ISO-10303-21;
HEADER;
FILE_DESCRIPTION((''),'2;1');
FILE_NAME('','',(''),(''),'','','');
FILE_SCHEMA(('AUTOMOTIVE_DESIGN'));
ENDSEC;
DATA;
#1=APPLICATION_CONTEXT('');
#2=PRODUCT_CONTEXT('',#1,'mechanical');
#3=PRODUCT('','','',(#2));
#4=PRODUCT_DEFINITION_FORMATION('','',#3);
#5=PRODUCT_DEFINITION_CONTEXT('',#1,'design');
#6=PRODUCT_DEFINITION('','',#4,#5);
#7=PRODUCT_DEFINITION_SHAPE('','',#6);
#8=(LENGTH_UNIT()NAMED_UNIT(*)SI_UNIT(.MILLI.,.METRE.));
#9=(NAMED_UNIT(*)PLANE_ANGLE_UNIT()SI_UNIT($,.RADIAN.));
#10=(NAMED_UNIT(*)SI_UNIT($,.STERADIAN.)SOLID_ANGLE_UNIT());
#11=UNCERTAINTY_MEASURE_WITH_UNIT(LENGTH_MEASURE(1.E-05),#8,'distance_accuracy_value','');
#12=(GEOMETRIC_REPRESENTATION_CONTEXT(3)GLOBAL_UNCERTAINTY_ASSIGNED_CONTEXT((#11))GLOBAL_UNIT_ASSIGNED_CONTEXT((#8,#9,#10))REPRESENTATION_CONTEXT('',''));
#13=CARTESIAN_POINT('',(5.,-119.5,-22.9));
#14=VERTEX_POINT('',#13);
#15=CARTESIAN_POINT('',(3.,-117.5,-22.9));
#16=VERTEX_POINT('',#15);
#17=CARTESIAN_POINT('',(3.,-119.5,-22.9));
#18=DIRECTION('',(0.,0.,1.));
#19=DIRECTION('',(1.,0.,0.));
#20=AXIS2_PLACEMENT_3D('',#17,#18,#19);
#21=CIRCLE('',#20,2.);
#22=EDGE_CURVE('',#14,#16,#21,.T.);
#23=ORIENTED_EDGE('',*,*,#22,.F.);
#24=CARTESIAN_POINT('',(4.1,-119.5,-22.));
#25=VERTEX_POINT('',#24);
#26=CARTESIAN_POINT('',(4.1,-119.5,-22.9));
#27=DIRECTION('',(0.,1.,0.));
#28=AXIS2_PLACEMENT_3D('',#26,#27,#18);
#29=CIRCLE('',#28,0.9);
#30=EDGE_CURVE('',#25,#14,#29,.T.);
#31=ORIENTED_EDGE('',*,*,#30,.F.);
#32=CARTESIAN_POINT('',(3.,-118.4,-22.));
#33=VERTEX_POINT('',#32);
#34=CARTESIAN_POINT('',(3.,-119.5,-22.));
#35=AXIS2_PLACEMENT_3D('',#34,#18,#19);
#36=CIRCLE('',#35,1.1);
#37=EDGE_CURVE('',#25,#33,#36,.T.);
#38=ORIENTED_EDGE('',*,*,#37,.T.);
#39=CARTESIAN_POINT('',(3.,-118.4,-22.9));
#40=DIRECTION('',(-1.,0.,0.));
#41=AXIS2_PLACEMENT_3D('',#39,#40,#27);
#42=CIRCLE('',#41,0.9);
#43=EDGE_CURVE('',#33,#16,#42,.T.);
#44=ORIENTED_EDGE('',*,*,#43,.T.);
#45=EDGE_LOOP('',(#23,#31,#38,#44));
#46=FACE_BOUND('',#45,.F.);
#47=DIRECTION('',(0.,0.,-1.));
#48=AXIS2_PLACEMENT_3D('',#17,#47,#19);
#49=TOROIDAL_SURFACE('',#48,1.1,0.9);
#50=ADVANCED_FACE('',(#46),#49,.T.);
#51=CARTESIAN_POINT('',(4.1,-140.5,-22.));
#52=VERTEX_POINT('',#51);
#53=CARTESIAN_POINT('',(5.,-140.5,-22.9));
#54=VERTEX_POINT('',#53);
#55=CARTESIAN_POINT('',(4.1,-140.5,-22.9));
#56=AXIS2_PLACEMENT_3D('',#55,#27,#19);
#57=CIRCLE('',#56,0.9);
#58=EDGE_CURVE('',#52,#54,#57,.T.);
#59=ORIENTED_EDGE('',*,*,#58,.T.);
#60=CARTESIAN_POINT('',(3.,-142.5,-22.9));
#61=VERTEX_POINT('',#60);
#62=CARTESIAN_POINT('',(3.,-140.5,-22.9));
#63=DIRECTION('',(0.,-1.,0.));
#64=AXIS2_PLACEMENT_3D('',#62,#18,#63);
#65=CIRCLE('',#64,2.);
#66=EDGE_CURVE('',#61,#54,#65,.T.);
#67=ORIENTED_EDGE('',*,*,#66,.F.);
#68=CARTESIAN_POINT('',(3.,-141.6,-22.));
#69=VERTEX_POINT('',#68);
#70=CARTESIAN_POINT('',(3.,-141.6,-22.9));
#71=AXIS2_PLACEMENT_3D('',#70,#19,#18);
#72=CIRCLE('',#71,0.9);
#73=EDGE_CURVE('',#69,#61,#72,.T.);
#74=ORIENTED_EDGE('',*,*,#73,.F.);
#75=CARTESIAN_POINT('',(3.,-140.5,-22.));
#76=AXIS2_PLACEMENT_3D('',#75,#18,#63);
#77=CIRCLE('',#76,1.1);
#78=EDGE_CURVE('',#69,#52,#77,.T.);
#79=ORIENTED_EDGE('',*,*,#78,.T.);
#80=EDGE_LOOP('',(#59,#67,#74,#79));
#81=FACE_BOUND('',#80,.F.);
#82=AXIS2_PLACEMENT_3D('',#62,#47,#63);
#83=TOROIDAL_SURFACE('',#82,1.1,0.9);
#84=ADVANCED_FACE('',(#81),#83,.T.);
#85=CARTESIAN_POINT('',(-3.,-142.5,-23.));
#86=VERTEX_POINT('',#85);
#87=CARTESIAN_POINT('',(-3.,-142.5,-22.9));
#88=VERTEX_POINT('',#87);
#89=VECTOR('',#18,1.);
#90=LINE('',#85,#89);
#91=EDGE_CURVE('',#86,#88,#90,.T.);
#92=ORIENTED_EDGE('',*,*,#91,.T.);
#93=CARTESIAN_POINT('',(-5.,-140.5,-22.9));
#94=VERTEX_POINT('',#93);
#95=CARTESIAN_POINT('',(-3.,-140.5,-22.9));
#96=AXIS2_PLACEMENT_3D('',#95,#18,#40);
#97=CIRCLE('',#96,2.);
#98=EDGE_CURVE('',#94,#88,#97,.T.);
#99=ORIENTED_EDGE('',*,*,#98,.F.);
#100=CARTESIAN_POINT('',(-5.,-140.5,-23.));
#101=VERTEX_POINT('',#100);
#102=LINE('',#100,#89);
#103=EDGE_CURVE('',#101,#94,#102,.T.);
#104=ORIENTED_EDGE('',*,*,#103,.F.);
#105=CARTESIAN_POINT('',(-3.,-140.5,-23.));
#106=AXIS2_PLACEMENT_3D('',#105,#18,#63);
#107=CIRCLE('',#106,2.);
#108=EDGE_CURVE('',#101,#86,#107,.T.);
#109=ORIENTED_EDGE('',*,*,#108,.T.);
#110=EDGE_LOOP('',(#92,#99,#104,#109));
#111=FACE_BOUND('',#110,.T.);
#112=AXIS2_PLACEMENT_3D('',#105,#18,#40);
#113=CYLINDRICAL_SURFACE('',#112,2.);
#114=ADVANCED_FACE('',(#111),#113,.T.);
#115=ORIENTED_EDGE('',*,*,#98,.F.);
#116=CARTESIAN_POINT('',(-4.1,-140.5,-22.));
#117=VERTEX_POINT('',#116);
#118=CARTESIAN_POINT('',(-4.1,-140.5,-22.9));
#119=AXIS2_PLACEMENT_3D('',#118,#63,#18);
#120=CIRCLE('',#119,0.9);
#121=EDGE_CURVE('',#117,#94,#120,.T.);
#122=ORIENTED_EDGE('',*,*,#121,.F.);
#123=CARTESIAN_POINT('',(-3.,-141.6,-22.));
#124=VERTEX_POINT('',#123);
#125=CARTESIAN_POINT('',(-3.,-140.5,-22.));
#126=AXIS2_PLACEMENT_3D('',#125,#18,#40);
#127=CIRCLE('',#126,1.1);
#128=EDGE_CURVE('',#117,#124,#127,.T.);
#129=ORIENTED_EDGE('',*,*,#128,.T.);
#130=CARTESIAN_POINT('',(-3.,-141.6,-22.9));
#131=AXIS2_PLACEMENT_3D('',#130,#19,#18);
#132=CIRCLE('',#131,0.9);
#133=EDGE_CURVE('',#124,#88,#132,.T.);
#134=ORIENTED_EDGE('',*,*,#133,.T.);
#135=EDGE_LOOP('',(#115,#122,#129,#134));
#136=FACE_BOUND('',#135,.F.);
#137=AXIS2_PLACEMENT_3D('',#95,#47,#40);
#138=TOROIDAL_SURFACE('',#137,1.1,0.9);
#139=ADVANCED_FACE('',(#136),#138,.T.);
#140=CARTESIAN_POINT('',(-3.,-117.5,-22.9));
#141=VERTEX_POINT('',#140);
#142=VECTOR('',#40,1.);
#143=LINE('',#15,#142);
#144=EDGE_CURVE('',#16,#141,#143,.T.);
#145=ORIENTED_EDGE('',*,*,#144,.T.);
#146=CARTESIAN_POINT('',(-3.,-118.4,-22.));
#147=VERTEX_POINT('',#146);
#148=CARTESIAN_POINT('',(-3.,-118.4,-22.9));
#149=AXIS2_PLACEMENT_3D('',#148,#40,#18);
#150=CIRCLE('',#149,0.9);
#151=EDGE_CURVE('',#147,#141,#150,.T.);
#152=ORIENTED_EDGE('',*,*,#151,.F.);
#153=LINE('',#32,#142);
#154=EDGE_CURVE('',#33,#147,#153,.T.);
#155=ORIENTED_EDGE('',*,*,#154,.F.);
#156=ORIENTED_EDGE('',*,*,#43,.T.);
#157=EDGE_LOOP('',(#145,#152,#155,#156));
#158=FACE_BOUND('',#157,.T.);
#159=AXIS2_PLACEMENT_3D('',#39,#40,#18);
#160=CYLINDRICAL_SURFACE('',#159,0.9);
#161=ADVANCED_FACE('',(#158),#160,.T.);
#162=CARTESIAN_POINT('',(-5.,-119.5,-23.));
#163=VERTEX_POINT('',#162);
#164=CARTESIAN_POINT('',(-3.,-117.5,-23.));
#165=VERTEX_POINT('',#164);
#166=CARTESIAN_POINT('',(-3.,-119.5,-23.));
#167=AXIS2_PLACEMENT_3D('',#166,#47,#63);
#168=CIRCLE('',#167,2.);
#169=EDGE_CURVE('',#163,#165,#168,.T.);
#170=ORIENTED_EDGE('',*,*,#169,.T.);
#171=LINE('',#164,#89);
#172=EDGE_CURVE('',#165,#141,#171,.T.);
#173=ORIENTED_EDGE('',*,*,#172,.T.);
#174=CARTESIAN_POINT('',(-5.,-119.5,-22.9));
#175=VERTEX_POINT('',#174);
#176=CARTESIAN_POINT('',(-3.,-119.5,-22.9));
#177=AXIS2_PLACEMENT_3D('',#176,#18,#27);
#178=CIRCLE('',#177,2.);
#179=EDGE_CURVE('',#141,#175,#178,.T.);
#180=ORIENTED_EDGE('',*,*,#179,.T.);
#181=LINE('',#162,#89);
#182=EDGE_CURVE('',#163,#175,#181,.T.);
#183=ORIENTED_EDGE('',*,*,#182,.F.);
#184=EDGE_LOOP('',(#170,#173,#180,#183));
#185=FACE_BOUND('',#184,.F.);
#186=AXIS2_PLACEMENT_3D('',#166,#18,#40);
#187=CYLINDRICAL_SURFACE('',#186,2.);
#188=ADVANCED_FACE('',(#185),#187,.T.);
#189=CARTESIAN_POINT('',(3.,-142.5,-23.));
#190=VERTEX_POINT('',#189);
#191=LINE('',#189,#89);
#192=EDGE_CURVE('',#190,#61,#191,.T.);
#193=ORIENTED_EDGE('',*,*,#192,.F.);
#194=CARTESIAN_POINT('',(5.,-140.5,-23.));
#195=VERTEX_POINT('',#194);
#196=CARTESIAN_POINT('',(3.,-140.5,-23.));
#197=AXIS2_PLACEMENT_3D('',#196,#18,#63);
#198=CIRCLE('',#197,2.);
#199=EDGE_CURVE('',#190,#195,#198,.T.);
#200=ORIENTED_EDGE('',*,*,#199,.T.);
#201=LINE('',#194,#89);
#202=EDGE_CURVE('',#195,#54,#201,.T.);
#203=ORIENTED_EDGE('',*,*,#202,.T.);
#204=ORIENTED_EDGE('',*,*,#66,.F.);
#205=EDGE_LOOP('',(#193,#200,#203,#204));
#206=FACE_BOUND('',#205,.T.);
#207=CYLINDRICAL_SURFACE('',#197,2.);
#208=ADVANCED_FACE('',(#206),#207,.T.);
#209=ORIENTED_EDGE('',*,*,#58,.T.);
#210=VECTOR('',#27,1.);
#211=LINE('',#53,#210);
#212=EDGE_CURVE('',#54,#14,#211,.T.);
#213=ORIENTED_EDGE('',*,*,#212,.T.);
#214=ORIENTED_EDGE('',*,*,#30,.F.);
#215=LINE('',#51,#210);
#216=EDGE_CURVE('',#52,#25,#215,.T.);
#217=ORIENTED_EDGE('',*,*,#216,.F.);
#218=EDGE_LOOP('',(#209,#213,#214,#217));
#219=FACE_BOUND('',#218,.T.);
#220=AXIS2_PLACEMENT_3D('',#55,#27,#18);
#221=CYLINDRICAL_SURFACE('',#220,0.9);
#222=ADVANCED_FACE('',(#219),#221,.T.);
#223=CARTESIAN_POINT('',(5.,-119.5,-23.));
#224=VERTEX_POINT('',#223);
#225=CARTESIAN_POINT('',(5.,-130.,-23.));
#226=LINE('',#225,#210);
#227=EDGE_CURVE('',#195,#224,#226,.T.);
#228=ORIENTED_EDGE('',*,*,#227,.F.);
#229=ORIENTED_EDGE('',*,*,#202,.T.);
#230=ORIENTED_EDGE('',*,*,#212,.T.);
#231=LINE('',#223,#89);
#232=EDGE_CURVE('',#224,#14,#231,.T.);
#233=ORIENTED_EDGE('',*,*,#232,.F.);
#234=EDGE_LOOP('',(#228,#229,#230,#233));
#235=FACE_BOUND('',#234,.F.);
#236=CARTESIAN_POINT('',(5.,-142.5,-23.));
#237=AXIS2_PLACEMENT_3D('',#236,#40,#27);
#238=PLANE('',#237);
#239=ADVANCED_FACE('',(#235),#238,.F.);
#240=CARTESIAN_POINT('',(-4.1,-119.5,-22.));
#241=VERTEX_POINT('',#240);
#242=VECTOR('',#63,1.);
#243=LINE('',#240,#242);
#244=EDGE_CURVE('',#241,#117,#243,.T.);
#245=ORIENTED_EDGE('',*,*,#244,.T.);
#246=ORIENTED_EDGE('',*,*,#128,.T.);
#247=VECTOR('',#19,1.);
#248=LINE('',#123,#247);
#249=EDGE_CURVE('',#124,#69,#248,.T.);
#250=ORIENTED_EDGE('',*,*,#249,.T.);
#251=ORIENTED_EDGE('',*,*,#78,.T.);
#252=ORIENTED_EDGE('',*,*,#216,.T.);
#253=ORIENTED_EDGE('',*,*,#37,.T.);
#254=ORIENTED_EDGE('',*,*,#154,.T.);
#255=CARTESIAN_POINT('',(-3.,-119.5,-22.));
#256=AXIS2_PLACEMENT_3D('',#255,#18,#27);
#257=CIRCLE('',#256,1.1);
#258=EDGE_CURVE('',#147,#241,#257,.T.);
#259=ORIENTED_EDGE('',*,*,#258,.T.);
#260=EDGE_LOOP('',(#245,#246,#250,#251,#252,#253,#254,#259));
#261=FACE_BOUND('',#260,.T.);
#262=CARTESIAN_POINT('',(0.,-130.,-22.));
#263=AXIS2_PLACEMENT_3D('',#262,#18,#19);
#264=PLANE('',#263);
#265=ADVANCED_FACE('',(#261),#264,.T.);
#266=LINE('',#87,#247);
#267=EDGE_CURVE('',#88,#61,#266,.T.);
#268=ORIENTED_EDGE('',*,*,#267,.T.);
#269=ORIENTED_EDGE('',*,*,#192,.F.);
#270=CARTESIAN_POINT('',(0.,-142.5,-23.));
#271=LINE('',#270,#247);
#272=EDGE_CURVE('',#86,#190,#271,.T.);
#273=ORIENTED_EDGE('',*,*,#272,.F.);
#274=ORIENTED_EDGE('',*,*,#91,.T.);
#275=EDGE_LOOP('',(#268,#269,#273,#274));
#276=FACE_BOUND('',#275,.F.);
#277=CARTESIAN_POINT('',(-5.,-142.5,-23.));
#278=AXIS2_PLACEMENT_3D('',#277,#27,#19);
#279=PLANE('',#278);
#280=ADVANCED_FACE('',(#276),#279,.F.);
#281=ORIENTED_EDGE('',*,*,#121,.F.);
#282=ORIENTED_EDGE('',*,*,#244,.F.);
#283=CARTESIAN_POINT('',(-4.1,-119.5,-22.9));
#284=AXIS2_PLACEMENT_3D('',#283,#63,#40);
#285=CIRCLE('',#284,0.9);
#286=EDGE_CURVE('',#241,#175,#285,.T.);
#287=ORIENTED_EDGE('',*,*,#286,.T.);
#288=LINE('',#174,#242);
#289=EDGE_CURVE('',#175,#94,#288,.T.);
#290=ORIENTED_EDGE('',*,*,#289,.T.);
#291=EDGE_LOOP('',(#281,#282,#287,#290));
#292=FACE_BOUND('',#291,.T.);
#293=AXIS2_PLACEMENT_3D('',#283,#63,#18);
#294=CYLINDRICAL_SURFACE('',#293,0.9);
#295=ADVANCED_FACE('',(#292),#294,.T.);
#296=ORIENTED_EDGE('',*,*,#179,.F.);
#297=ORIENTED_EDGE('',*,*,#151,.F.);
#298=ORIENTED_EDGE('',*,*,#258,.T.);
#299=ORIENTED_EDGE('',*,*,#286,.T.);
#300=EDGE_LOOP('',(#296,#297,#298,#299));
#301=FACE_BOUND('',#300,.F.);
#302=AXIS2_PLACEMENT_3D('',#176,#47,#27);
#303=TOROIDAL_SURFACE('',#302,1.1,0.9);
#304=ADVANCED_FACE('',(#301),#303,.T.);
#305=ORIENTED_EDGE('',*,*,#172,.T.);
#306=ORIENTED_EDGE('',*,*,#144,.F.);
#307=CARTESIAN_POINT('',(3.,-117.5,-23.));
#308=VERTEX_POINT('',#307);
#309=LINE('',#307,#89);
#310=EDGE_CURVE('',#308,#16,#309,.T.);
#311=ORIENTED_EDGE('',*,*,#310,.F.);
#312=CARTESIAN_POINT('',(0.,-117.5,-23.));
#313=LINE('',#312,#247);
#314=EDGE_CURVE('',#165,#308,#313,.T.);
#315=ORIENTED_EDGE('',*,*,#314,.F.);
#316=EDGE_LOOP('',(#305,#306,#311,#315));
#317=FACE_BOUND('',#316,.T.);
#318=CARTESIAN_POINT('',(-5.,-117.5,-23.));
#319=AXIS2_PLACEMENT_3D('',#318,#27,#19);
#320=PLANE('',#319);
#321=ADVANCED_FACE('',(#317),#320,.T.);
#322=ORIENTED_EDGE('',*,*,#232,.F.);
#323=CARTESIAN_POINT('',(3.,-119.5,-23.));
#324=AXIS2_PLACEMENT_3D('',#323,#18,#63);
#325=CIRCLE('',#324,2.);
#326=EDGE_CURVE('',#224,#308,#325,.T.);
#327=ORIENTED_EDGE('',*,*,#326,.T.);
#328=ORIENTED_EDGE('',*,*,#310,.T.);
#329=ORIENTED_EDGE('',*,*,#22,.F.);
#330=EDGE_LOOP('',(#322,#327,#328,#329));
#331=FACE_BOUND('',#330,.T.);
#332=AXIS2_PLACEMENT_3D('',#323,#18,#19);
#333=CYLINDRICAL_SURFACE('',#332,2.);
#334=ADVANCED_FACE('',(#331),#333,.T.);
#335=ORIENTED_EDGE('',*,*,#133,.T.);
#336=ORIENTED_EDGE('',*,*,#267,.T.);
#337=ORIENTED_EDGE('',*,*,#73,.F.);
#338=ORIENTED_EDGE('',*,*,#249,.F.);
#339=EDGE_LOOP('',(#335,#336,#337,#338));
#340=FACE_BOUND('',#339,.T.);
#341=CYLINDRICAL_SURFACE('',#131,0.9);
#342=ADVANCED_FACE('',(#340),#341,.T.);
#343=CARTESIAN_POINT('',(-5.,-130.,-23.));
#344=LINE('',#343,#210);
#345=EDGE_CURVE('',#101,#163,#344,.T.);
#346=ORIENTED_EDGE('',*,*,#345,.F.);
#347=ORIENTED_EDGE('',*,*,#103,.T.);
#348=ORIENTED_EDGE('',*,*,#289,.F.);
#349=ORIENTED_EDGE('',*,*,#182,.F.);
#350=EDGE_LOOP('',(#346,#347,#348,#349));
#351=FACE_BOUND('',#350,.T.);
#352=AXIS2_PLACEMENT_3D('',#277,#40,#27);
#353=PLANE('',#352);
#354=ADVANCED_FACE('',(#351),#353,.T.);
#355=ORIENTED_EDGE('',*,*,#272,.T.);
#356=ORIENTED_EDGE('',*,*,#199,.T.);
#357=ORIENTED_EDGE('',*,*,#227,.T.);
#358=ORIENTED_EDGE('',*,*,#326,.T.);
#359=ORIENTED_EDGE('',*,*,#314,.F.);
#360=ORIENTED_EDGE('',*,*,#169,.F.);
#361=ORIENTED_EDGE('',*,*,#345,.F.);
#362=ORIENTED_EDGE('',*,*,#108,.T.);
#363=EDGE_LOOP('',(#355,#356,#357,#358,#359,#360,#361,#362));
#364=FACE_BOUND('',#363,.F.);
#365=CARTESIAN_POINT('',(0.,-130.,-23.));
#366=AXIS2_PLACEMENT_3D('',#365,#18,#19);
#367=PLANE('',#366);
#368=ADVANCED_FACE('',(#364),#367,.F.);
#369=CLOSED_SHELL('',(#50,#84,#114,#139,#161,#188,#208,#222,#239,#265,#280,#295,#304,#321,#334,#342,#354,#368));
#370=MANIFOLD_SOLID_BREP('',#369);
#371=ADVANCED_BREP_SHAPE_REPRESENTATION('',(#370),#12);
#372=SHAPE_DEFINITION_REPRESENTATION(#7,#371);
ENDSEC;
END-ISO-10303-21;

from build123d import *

# Parameters (mm, degrees)
SKETCH028_W  = 10
SKETCH028_H  = 25
PAD015_DEPTH = 1
FILLET021_R  = 2
FILLET022_R  = 0.9


with BuildPart() as part:
    # Sketch028 → Pad015 (new body)
    with BuildSketch(Plane.XY):
        Rectangle(SKETCH028_W, SKETCH028_H)
    extrude(amount=PAD015_DEPTH)

    # Fillet021
    fillet021_edges = [part.edges().sort_by_distance(p)[0] for p in [
        (-5, -12.5, 0.5),
        (-5, 12.5, 0.5),
        (5, -12.5, 0.5),
        (5, 12.5, 0.5),
    ]]
    fillet(fillet021_edges, radius=FILLET021_R)

    # Fillet022
    fillet022_edges = [part.edges().sort_by_distance(p)[0] for p in [
        (0, -12.5, 1),
        (5, 0, 1),
        (-5, 0, 1),
        (0, 12.5, 1),
    ]]
    fillet(fillet022_edges, radius=FILLET022_R)


with BuildPart() as part_1:
    # Body007 placement: moved
    add(part.part.moved(Location((0, -130, -23))))


solid = part_1.part
